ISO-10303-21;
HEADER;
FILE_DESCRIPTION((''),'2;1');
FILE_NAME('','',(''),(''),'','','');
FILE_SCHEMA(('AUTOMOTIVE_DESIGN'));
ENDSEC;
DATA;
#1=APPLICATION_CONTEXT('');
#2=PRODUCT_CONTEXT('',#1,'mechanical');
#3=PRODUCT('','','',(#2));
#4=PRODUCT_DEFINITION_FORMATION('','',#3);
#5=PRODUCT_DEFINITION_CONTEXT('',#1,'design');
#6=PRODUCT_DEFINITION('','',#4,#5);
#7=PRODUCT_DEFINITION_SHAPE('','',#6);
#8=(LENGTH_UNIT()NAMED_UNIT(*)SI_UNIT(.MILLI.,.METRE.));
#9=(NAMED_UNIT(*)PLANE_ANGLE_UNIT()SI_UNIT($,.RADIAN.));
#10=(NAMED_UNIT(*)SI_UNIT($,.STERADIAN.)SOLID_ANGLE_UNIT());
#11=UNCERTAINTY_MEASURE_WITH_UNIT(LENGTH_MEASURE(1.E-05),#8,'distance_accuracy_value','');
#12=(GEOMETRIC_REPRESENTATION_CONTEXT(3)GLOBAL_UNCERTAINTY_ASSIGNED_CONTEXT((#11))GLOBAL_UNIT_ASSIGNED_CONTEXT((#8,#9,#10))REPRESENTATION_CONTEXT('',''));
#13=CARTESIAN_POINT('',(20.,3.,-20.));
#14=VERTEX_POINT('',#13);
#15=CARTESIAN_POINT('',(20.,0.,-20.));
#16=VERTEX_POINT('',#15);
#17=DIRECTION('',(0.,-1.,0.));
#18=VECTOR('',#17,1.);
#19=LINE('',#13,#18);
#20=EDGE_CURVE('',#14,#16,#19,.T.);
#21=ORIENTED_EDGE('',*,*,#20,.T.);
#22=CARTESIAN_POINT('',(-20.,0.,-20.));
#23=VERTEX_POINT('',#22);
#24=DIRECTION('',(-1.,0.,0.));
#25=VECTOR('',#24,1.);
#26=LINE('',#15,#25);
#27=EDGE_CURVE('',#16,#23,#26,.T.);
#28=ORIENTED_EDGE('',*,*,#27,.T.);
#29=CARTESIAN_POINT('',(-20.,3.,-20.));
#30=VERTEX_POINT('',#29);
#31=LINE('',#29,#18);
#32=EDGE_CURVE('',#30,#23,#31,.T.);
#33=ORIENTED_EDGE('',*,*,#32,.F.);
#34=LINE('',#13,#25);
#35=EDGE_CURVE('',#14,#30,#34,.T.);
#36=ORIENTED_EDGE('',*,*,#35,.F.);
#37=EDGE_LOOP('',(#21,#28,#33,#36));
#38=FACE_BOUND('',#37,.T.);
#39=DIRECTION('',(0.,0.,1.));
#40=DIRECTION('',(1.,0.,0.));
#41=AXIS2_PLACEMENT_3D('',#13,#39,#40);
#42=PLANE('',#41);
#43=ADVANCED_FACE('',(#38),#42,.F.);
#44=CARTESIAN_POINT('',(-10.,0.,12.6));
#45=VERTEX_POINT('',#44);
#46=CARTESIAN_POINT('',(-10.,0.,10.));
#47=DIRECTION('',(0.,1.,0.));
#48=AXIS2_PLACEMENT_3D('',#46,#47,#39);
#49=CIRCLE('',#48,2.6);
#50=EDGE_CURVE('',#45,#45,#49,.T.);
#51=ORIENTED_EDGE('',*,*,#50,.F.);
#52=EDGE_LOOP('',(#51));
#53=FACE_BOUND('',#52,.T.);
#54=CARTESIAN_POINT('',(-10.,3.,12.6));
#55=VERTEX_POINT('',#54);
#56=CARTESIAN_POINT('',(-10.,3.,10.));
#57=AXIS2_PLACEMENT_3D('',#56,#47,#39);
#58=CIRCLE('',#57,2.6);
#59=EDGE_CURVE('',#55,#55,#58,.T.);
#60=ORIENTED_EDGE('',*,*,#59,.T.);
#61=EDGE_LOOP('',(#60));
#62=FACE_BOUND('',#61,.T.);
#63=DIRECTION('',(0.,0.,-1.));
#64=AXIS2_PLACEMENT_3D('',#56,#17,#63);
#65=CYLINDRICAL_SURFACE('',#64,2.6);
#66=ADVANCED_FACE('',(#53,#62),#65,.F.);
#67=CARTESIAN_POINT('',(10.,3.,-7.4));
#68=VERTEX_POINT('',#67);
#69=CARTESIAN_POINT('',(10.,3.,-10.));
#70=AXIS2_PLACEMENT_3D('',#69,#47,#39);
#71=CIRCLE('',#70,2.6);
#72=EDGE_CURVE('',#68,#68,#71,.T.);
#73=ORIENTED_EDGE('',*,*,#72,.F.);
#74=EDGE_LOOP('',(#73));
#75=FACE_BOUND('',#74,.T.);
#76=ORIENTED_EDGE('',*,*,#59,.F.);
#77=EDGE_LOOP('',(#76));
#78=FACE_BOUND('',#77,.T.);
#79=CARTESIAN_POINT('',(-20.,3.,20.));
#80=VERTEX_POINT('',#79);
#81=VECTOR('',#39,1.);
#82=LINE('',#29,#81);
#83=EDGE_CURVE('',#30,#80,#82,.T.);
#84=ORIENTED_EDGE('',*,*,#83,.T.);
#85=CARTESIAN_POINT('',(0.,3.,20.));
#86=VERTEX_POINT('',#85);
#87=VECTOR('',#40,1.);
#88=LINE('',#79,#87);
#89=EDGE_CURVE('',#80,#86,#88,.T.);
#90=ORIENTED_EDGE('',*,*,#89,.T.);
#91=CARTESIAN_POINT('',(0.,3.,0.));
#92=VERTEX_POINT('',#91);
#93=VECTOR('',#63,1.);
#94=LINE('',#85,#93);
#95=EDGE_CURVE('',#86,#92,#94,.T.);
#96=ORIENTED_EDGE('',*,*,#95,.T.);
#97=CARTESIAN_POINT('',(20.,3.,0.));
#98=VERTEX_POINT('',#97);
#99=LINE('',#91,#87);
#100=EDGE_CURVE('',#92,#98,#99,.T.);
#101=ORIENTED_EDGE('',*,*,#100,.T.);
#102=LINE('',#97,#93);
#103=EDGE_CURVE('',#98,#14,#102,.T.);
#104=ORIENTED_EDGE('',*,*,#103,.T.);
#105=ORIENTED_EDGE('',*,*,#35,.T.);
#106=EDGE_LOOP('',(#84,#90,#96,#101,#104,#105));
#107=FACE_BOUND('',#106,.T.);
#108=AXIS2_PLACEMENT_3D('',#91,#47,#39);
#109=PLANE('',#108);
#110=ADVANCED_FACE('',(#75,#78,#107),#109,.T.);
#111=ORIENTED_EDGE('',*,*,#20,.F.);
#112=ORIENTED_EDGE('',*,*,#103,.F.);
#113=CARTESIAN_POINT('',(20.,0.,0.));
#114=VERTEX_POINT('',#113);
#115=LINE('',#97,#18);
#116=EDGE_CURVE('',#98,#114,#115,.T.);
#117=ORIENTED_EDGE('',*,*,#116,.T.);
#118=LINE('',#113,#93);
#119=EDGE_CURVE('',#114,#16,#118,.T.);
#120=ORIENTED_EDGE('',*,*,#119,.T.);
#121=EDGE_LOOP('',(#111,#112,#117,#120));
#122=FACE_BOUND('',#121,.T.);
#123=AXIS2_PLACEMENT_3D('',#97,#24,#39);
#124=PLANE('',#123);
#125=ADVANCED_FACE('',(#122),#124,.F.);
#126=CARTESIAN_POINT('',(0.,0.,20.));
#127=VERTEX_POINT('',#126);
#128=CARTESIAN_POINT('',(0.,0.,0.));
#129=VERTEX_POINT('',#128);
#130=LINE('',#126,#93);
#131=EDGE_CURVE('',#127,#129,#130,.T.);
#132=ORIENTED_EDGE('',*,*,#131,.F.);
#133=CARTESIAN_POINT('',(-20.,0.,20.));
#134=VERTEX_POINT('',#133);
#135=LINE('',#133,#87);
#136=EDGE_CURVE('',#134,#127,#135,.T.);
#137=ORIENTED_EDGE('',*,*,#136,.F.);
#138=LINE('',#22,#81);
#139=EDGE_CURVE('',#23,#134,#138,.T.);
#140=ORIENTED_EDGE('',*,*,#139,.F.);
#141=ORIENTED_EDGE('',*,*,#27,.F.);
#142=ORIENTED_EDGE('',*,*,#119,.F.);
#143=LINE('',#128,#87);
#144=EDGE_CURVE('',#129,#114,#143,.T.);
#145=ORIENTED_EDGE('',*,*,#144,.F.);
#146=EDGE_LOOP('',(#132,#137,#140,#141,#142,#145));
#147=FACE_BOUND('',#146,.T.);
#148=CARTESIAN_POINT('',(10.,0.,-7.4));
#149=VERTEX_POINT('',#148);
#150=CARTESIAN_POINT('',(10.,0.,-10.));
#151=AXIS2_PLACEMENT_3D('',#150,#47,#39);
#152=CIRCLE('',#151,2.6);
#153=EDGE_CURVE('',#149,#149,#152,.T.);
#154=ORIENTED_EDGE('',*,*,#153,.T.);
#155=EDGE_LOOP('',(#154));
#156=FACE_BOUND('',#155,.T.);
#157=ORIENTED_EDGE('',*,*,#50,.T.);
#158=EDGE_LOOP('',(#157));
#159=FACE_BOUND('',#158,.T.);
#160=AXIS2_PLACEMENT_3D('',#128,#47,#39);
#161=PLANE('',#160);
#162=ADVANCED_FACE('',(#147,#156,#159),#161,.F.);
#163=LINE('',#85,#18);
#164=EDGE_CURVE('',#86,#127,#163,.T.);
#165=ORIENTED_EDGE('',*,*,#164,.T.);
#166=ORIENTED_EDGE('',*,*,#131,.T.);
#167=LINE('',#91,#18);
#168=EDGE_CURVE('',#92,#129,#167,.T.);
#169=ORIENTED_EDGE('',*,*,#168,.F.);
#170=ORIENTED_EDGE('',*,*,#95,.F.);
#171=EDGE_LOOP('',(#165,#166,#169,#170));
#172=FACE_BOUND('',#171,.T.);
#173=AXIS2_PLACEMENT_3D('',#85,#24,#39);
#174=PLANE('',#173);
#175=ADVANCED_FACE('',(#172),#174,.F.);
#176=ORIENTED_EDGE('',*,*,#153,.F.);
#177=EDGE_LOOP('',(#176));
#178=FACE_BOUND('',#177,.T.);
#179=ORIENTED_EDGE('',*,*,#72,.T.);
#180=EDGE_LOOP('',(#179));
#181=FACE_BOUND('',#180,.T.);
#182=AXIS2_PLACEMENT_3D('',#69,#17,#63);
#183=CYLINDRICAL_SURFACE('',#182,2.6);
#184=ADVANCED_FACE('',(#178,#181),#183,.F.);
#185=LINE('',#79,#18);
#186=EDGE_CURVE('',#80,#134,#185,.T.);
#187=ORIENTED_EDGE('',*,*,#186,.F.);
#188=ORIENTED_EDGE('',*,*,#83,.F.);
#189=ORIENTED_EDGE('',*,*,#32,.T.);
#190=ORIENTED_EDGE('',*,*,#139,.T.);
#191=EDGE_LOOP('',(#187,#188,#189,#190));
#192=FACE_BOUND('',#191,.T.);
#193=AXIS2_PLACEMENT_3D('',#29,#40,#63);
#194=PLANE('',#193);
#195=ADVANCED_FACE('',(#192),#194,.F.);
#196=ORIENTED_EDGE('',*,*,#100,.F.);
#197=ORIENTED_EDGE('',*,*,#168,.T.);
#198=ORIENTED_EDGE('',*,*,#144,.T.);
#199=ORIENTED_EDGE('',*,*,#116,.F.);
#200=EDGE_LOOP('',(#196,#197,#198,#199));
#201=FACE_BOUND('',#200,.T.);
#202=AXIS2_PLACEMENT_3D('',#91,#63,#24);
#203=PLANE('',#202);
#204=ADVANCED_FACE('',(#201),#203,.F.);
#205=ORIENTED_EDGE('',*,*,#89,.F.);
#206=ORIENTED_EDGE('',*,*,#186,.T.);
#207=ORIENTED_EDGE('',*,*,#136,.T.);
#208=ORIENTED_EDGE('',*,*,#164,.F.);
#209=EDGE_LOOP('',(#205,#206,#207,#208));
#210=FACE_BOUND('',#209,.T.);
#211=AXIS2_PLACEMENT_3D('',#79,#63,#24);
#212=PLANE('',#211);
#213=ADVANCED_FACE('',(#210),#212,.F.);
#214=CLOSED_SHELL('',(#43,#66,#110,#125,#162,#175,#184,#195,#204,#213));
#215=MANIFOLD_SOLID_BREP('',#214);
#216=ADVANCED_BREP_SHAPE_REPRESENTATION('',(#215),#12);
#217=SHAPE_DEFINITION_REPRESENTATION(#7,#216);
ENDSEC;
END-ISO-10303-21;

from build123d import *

# Parameters (mm, degrees)
SKETCH1_R           = 2.6
BOSS_EXTRUDE1_DEPTH = 3


with BuildPart() as part:
    # Sketch1 → Boss-Extrude1 (new body)
    with BuildSketch(Plane(origin=(0, 0, 0), x_dir=(1, 0, 0), z_dir=(0, 1, 0))):
        Polygon((-20, 20), (-20, -20), (0, -20), (0, 0), (20, 0), (20, 20), align=None)
        with Locations(Location((-10, -10, 0), (0, 0, 270))):
            Circle(SKETCH1_R, mode=Mode.SUBTRACT)
        with Locations(Location((10, 10, 0), (0, 0, 270))):
            Circle(SKETCH1_R, mode=Mode.SUBTRACT)
    extrude(amount=BOSS_EXTRUDE1_DEPTH)


solid = part.part
